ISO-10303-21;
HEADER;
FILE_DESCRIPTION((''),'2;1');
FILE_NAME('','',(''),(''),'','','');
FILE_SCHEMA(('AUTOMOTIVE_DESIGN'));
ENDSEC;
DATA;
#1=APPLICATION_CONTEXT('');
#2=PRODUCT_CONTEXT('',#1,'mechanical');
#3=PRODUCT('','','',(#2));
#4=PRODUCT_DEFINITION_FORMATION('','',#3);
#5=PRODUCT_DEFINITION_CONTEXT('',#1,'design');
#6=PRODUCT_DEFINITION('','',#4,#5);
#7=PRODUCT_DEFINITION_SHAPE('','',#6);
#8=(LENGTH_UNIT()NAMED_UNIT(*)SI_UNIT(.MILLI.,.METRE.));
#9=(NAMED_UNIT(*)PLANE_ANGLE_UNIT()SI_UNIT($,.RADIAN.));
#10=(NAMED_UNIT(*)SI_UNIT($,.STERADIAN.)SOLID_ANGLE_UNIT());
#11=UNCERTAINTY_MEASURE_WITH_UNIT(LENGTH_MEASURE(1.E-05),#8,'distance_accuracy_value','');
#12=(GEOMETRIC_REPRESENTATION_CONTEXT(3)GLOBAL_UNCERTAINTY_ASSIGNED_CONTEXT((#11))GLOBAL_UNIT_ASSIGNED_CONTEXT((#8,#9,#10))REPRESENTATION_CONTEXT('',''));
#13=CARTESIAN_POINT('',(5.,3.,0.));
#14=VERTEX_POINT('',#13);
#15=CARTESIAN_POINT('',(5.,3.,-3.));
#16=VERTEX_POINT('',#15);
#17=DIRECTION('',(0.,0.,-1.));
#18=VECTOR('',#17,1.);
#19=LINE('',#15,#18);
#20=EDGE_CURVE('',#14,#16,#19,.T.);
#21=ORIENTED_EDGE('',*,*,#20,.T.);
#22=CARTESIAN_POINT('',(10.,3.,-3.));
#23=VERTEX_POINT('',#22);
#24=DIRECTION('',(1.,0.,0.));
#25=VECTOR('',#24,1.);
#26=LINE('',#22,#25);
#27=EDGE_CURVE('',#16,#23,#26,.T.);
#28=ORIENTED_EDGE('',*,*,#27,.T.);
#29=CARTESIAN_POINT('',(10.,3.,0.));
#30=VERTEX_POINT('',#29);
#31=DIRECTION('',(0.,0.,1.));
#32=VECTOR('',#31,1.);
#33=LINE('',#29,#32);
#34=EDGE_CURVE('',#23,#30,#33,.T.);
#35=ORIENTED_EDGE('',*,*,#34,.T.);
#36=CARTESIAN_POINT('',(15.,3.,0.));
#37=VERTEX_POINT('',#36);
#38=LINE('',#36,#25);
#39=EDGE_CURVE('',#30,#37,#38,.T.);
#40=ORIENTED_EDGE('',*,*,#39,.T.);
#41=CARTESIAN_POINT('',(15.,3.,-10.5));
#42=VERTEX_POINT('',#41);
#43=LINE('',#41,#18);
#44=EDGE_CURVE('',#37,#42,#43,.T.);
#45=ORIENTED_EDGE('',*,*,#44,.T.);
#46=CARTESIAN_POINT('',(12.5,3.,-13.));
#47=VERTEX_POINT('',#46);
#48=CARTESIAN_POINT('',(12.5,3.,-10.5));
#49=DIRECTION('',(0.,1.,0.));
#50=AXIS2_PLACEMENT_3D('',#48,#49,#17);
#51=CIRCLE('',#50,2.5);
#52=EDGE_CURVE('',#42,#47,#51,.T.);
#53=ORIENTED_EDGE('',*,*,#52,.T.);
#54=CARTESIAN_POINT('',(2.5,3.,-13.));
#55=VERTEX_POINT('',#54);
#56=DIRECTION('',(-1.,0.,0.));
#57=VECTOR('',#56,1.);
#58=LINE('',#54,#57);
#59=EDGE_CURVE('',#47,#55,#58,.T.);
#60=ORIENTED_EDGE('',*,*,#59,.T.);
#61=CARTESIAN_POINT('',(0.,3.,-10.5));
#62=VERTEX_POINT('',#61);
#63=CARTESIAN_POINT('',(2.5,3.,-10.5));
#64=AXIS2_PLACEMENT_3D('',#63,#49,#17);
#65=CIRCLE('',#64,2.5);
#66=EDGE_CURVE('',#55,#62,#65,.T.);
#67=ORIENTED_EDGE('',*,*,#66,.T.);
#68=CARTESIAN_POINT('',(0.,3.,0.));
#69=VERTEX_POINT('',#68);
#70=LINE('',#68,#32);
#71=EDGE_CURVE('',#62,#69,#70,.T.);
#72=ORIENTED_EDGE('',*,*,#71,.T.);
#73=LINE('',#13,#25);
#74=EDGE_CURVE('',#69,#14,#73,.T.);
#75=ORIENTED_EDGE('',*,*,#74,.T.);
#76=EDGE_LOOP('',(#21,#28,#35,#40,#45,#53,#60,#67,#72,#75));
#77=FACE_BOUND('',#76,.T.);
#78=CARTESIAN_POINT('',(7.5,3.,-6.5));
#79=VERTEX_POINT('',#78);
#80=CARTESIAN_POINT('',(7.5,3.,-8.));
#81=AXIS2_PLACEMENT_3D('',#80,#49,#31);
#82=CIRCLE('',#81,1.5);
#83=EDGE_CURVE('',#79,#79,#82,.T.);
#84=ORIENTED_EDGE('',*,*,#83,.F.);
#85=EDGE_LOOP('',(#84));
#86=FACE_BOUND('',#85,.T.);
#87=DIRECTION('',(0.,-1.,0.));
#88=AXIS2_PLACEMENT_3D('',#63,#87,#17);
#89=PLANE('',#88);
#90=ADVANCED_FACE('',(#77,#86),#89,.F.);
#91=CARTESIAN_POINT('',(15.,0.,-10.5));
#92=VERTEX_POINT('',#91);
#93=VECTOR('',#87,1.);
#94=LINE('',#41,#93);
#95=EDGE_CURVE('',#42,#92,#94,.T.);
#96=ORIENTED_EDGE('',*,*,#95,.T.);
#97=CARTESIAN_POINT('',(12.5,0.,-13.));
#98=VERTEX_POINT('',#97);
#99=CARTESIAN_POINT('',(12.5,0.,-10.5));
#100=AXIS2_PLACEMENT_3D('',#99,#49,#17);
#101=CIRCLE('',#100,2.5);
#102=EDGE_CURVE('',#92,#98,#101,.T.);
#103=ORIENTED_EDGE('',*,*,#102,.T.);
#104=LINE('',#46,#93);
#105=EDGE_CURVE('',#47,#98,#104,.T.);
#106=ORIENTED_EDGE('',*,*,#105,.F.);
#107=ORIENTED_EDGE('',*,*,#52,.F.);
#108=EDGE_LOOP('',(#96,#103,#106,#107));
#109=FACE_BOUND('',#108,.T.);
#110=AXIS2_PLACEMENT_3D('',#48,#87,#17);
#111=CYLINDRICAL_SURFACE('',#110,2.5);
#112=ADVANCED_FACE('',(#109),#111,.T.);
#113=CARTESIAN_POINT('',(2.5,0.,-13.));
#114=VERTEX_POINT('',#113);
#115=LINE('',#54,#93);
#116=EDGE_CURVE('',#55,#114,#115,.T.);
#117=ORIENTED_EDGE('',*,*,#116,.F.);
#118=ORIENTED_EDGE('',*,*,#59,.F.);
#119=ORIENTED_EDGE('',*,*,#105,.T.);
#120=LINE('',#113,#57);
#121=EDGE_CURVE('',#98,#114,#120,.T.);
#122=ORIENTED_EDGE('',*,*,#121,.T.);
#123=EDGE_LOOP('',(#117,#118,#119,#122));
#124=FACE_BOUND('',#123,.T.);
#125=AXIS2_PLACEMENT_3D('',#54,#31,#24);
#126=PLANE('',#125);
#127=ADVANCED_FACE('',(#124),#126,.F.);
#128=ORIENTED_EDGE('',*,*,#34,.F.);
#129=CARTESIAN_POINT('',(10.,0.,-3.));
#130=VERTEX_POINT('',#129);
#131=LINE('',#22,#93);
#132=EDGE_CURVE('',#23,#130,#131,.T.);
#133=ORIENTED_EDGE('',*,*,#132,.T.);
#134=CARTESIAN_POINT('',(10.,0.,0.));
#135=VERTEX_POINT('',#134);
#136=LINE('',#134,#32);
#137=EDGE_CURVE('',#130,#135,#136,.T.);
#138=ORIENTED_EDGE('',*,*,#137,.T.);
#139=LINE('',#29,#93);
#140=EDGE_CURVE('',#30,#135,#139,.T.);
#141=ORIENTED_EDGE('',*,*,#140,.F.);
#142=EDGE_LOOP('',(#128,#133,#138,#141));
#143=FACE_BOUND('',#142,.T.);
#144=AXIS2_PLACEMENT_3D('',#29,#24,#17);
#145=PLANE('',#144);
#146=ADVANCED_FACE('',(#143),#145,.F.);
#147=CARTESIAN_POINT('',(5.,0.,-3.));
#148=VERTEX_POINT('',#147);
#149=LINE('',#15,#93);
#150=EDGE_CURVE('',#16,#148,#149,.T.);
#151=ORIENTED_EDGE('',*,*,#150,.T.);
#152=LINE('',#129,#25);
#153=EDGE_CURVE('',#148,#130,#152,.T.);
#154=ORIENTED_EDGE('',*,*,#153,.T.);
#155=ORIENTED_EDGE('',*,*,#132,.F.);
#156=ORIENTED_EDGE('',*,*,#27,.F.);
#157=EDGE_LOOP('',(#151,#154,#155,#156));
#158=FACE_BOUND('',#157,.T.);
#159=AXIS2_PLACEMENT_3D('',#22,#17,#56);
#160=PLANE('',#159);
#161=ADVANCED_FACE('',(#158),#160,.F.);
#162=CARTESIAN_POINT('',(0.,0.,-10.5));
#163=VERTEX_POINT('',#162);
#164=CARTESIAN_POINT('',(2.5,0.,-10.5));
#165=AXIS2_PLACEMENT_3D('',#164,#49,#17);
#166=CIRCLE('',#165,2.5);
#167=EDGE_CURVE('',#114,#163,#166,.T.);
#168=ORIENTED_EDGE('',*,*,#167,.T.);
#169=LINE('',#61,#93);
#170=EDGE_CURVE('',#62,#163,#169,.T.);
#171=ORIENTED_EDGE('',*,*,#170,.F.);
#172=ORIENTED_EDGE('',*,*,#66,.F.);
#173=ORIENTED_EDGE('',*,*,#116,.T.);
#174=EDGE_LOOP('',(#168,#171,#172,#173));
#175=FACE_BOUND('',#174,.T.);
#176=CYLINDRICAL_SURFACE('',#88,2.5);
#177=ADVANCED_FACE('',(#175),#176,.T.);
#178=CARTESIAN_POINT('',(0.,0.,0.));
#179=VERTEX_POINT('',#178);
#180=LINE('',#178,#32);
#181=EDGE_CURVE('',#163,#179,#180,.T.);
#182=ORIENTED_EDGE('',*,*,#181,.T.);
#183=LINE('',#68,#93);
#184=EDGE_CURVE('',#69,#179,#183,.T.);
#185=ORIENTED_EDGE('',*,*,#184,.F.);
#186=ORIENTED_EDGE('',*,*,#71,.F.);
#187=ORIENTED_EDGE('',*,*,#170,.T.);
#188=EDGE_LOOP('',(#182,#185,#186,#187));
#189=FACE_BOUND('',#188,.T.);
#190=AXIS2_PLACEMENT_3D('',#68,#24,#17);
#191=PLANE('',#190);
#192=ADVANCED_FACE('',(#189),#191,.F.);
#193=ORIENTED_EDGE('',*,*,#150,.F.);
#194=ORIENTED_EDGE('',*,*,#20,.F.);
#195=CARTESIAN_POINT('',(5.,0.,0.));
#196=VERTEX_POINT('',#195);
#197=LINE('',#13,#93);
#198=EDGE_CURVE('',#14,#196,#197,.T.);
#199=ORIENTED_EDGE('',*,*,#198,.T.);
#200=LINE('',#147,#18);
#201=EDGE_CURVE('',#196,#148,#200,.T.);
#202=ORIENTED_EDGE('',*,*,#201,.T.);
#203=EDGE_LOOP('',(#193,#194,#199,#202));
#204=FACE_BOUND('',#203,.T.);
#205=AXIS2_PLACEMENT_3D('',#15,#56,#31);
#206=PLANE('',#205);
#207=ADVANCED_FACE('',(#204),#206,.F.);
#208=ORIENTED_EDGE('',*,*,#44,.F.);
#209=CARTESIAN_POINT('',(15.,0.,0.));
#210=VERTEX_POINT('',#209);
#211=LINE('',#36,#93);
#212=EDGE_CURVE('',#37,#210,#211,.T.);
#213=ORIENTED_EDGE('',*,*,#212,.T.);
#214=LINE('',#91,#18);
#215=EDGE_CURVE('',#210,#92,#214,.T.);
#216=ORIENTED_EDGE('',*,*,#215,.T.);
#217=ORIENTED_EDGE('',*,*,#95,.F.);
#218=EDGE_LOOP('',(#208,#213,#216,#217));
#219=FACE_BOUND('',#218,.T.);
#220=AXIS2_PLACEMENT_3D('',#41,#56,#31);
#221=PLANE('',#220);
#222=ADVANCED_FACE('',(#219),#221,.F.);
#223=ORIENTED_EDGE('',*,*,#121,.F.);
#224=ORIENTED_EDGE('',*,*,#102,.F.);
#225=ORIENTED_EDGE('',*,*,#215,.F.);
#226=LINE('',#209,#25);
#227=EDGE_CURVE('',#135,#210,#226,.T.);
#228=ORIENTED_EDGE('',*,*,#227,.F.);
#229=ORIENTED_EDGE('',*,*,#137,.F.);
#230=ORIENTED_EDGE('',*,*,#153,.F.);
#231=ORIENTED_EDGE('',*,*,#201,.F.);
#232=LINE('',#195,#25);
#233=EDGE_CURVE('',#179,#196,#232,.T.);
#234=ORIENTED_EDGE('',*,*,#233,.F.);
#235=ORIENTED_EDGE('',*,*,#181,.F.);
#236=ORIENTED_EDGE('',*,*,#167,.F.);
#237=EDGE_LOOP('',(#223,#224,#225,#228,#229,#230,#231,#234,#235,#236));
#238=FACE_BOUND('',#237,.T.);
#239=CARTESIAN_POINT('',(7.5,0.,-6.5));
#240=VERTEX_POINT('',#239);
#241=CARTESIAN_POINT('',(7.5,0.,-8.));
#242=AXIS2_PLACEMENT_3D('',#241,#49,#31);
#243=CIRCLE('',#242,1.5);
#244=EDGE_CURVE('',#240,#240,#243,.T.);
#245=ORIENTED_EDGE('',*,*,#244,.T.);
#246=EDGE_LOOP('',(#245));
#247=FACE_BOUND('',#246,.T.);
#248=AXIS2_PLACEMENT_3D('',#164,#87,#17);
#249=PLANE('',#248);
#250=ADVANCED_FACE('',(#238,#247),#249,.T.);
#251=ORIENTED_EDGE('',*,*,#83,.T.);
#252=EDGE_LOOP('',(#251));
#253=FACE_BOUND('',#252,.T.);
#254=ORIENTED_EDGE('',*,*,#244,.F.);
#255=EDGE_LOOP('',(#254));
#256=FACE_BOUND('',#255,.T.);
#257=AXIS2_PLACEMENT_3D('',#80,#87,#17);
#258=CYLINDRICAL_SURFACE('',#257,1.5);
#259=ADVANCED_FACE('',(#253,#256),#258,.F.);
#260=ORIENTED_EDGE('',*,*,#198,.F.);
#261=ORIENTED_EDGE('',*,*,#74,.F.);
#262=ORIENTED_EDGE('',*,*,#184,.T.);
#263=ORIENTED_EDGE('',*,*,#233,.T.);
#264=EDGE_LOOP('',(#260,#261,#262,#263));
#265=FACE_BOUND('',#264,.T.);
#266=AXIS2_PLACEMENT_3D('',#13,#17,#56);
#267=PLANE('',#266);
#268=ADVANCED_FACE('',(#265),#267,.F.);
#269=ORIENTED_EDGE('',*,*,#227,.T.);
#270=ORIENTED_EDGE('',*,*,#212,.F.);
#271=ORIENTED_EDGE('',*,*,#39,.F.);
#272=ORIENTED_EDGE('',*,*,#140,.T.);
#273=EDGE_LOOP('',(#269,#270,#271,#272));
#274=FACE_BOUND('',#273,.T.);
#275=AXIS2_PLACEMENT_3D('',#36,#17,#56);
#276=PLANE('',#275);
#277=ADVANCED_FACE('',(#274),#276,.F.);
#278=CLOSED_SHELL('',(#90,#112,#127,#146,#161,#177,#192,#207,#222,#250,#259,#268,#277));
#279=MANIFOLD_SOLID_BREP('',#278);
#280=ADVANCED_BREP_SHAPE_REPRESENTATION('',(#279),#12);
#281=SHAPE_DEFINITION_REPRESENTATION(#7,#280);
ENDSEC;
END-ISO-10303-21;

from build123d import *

# Parameters (mm, degrees)
SKETCH1_R           = 1.5
BOSS_EXTRUDE1_DEPTH = 3


with BuildPart() as part:
    # Sketch1 → Boss-Extrude1 (new body)
    with BuildSketch(Plane(origin=(0, 0, 0), x_dir=(1, 0, 0), z_dir=(0, 1, 0))):
        with BuildLine():
            Line((0, 0), (0, 10.5))
            ThreePointArc((0, 10.5), (0.732233047, 12.267766953), (2.5, 13))
            Line((2.5, 13), (12.5, 13))
            ThreePointArc((12.5, 13), (14.267766953, 12.267766953), (15, 10.5))
            Line((15, 10.5), (15, 0))
            Line((15, 0), (10, 0))
            Line((10, 0), (10, 3))
            Line((10, 3), (5, 3))
            Line((5, 3), (5, 0))
            Line((5, 0), (0, 0))
        make_face()
        with Locations(Location((7.5, 8, 0), (0, 0, 270))):
            Circle(SKETCH1_R, mode=Mode.SUBTRACT)
    extrude(amount=BOSS_EXTRUDE1_DEPTH)


solid = part.part
